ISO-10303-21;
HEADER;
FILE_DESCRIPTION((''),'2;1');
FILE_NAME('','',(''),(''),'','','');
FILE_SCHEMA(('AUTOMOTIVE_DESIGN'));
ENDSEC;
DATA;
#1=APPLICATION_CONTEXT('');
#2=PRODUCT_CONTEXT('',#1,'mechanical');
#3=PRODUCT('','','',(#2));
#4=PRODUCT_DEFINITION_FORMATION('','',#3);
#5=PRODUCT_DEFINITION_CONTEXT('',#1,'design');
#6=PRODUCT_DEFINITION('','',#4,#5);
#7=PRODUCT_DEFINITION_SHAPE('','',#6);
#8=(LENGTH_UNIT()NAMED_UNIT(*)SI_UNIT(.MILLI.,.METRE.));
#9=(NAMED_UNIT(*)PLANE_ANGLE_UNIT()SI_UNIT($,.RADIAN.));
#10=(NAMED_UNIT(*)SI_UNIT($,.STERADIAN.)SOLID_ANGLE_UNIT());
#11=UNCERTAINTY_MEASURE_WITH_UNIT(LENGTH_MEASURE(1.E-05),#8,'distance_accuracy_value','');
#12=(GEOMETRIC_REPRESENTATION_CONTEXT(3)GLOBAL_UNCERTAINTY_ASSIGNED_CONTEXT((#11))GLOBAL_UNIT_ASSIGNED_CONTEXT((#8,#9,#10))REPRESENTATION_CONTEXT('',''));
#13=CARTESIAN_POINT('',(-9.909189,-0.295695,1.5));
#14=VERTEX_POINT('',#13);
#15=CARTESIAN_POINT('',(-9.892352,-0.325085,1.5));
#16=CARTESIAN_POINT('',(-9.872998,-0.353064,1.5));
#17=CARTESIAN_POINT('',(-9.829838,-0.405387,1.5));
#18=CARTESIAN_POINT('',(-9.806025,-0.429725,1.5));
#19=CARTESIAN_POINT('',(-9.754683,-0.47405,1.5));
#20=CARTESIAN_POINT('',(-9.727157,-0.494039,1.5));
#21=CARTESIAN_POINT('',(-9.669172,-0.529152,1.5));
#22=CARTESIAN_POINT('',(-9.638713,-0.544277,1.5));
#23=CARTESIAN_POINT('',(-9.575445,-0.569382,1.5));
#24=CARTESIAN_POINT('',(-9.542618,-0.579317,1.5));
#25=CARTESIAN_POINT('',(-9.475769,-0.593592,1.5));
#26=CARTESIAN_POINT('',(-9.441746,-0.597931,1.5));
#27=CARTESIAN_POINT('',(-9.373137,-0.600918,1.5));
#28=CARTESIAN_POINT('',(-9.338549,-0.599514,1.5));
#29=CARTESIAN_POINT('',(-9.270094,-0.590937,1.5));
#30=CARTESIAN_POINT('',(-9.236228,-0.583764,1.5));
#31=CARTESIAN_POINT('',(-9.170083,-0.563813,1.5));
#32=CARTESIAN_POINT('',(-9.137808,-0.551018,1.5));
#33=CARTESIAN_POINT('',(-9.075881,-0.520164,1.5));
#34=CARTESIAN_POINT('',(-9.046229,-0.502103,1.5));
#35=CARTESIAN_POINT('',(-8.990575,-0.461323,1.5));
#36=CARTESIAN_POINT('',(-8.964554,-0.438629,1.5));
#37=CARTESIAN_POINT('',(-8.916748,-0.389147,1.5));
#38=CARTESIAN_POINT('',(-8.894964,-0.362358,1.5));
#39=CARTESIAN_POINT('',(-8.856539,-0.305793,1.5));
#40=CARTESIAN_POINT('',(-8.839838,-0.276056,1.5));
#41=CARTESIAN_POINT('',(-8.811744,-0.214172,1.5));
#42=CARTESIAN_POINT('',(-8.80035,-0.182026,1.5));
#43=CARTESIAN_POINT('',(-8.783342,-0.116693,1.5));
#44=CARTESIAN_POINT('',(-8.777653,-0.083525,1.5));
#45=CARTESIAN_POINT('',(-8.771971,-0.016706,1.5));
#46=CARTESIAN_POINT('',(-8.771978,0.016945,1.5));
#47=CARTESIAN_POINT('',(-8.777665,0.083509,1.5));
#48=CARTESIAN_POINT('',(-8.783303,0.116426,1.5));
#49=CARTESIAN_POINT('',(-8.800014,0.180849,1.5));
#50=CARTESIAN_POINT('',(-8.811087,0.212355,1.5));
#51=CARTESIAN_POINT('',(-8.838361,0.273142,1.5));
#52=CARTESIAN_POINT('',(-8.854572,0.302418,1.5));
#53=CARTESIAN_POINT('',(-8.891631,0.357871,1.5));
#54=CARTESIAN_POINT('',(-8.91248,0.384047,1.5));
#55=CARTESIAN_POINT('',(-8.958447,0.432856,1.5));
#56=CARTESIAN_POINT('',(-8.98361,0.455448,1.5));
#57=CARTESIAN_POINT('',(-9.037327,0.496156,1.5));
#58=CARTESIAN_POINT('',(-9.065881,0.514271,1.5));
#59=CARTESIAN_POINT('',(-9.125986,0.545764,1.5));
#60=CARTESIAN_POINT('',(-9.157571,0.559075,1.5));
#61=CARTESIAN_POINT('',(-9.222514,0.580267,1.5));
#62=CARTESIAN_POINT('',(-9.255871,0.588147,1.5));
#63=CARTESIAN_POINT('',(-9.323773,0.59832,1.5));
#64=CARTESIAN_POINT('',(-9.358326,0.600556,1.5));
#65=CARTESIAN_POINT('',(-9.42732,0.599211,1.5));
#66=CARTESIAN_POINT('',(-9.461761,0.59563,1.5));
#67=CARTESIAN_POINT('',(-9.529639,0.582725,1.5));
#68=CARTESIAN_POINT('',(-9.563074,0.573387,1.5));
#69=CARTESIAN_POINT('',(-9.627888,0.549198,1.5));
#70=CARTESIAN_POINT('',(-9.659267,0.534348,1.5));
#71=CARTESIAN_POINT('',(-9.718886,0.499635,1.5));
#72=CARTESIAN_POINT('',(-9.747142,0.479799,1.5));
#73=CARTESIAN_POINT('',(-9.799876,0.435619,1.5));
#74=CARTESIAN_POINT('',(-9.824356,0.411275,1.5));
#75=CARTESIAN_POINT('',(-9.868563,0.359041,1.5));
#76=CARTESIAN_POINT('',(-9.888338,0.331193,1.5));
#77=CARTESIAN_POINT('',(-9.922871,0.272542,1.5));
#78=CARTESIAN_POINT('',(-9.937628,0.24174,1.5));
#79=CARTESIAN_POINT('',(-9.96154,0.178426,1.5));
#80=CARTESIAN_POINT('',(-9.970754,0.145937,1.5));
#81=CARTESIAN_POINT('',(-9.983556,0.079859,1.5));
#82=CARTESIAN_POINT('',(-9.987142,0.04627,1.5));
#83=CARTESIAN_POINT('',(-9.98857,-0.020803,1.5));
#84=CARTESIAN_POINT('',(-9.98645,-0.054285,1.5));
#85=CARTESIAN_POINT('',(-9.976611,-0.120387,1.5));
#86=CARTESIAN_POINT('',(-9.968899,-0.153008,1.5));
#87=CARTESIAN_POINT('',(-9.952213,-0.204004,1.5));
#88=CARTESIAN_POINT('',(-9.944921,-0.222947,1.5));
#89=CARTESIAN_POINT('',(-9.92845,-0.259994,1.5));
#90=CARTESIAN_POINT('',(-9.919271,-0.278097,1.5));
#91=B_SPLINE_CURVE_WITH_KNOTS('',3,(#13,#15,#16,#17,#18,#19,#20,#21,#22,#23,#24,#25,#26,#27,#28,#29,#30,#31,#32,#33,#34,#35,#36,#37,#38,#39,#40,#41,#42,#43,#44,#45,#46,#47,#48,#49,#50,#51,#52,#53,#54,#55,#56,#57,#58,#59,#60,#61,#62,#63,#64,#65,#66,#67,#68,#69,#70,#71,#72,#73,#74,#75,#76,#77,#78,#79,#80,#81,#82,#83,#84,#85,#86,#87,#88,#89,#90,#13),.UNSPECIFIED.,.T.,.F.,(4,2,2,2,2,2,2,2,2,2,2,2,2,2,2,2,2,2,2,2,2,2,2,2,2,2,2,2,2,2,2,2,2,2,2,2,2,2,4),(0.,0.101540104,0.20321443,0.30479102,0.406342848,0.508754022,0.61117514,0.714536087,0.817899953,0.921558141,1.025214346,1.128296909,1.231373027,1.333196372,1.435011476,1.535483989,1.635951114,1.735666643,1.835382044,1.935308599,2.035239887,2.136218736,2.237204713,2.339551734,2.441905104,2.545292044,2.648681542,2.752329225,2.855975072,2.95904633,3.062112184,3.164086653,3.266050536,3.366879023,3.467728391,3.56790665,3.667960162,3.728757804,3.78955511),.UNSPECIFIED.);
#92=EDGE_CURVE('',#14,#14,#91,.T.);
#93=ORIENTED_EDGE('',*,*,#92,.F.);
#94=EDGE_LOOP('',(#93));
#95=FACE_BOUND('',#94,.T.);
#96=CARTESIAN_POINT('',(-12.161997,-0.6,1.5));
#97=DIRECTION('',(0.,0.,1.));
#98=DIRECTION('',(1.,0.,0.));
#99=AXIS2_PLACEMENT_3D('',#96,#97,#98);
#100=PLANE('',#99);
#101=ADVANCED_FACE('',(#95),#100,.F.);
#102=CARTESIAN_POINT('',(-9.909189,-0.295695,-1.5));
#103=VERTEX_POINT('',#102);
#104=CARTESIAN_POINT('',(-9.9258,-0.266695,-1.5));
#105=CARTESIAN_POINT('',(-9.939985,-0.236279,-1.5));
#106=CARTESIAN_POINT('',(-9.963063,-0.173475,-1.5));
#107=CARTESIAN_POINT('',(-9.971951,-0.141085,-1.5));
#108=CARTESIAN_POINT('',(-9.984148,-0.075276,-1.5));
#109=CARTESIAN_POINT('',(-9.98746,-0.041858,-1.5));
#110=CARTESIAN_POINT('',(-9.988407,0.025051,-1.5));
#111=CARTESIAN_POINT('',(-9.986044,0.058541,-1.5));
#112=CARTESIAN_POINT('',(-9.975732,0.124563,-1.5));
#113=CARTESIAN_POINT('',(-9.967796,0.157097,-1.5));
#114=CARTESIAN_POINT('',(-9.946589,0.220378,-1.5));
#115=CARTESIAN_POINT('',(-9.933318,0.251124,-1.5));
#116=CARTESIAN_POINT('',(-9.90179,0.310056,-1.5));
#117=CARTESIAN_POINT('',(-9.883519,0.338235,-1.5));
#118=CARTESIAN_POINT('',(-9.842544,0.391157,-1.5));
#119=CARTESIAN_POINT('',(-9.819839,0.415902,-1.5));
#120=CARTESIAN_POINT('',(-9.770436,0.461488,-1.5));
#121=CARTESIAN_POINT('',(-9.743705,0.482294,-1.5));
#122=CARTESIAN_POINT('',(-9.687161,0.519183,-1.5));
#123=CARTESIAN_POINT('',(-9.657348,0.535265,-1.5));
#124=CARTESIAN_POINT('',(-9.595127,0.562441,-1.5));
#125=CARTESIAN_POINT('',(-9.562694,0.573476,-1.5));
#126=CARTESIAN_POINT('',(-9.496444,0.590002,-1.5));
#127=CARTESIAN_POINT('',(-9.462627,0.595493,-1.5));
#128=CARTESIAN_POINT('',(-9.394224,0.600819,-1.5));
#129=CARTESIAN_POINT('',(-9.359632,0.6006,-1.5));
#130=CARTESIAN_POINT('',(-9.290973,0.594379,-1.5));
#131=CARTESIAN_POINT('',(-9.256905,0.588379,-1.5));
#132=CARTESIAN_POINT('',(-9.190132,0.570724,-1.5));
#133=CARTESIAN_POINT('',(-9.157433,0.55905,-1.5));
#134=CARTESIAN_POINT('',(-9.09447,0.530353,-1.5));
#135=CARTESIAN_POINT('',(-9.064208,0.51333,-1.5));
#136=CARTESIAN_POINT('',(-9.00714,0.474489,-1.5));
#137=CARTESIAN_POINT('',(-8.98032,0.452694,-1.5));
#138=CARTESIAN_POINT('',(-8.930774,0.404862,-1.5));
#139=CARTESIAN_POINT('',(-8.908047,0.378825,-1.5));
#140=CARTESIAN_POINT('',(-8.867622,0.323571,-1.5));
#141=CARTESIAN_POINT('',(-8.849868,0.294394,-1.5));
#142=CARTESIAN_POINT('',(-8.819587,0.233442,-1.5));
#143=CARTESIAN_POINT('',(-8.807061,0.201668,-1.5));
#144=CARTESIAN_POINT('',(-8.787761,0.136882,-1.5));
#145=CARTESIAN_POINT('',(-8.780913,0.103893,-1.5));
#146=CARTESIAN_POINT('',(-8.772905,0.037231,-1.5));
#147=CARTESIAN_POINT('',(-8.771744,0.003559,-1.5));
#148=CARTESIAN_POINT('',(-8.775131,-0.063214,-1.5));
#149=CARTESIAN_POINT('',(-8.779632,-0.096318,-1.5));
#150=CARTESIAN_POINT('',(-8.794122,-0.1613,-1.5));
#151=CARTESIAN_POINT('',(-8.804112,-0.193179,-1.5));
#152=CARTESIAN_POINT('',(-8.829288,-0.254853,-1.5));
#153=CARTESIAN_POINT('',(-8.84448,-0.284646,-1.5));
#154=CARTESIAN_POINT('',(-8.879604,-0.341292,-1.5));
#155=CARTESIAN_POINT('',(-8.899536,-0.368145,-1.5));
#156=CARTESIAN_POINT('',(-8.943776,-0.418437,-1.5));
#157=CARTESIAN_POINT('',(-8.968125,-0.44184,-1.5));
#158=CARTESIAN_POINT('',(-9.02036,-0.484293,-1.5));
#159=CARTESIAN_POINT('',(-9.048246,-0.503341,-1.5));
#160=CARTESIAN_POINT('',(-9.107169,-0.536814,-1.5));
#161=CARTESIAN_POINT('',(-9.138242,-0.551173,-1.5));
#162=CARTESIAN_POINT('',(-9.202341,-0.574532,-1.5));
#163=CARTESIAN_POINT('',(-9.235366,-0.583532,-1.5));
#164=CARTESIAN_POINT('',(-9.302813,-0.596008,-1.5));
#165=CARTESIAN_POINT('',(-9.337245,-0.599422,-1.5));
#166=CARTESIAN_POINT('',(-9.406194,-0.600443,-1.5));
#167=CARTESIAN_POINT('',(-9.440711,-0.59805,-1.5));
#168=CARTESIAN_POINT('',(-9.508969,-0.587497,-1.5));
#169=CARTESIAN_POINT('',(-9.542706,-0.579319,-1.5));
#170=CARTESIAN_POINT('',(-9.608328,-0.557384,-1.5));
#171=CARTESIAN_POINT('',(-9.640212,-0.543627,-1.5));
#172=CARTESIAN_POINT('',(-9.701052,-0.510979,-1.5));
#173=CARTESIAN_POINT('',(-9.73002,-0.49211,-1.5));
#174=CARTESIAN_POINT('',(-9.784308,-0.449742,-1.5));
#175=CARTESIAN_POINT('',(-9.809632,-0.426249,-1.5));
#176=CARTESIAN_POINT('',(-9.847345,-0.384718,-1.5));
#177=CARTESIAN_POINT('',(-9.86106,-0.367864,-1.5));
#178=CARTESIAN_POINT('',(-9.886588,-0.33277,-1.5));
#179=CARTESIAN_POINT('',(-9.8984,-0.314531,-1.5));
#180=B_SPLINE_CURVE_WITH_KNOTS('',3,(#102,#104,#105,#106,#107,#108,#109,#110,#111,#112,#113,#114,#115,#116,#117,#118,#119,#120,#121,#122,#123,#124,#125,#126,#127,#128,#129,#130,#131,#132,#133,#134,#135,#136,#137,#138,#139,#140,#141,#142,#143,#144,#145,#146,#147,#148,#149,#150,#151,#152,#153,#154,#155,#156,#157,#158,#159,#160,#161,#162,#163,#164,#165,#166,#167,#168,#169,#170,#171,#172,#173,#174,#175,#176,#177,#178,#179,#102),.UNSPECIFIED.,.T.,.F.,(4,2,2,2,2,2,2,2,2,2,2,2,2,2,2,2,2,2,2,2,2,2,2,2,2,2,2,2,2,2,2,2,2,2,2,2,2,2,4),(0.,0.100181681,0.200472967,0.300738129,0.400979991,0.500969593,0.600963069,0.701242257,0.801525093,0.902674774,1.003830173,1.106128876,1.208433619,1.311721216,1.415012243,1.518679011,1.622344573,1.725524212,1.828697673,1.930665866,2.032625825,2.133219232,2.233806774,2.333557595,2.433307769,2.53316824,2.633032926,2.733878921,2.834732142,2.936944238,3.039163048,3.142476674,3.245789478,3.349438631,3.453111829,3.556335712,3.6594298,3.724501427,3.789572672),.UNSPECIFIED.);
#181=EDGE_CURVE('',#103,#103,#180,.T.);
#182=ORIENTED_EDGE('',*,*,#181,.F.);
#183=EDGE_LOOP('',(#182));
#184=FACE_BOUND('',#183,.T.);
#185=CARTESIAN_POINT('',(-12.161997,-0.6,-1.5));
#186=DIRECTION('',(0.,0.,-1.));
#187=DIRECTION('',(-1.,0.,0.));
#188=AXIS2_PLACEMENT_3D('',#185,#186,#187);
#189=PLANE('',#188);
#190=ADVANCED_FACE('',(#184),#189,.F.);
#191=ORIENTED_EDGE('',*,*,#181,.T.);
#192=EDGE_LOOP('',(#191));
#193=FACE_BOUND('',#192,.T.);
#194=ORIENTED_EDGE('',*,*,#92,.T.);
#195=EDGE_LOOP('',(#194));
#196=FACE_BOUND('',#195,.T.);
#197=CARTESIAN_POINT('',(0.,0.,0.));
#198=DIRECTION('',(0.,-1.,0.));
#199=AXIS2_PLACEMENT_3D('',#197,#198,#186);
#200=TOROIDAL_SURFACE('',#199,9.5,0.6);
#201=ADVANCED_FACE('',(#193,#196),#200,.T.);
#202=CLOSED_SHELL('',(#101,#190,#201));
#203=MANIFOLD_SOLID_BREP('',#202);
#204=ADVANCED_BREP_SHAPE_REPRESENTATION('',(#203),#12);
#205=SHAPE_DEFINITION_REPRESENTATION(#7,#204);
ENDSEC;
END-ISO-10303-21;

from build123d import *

# Parameters (mm, degrees)
SKETCH_1_R               = 0.6
CUT_EXTRUDE_1_DEPTH      = 15.296153474
CUT_EXTRUDE_1_DEPTH_BACK = 15.296153474
SKETCH_2_W               = 4.994748993
SKETCH_2_H               = 3


with BuildPart() as part:
    # Эскиз1 → Повернуть1 (revolve)
    with BuildSketch(Plane.XY, mode=Mode.PRIVATE) as revolve_1_sk:
        with Locations((-9.5, 0)):
            Circle(SKETCH_1_R)
    revolve(revolve_1_sk.sketch.rotate(Axis((0, 0, 0), (0, 1, 0)), 270), axis=Axis((0, 0, 0), (0, 1, 0)))

    # Эскиз2 → Вырез-Вытянуть1 (cut, two sides: drawn at the far end of the back side and taken through both)
    with BuildSketch(Plane(origin=(0, 0, 0), x_dir=(1, 0, 0), z_dir=(0, 1, 0)).offset(-CUT_EXTRUDE_1_DEPTH_BACK)):
        with Locations((-9.664623001, 0)):
            Rectangle(SKETCH_2_W, SKETCH_2_H)
    extrude(amount=CUT_EXTRUDE_1_DEPTH + CUT_EXTRUDE_1_DEPTH_BACK, mode=Mode.SUBTRACT)


solid = part.part
